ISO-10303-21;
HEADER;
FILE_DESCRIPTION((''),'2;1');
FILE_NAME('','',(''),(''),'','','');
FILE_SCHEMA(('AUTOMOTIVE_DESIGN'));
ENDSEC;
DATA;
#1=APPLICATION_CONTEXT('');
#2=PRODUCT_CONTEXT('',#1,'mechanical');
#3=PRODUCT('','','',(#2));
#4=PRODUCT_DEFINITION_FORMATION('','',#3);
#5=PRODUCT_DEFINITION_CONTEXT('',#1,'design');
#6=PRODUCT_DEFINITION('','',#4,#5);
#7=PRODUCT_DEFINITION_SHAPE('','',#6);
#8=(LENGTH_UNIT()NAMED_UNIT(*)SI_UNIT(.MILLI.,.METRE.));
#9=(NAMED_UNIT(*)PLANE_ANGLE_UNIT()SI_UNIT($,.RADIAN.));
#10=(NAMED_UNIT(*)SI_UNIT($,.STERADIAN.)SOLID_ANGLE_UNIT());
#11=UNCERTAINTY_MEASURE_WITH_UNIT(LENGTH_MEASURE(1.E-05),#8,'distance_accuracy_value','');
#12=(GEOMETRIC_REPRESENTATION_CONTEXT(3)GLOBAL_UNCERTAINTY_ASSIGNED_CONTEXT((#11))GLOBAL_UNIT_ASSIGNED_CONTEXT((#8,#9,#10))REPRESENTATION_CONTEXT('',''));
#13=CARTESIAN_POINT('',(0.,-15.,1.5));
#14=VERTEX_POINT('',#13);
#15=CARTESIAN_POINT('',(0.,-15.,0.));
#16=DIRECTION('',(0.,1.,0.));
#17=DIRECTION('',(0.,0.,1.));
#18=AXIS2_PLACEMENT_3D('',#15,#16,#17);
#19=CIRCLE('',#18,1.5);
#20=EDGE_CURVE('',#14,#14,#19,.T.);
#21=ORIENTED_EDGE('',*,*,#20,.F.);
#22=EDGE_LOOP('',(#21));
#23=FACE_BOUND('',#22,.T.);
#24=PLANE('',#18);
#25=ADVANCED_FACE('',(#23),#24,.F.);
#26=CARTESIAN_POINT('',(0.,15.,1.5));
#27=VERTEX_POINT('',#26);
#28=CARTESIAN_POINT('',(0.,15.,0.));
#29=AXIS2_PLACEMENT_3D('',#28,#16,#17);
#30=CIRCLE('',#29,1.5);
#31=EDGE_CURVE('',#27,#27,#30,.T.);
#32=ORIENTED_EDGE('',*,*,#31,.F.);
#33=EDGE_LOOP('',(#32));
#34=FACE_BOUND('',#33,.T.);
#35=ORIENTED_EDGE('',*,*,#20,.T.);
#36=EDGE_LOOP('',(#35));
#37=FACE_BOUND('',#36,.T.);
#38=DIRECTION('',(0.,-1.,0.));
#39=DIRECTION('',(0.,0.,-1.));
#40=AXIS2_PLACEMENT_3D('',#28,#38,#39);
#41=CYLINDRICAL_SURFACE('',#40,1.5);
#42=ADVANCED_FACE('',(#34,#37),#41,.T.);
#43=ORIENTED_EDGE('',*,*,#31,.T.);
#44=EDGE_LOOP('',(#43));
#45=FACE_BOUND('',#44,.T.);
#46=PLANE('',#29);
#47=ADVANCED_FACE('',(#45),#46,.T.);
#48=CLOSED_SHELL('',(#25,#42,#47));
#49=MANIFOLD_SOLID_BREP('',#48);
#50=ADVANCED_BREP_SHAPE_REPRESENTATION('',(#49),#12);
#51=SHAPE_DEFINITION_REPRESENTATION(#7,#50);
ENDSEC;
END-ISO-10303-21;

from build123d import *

# Parameters (mm, degrees)
SKETCH1_R           = 1.5
BOSS_EXTRUDE1_DEPTH = 15


with BuildPart() as part:
    # Sketch1 → Boss-Extrude1 (new body, symmetric)
    with BuildSketch(Plane(origin=(0, 0, 0), x_dir=(1, 0, 0), z_dir=(0, 1, 0))):
        Circle(SKETCH1_R)
    extrude(amount=BOSS_EXTRUDE1_DEPTH, both=True)


solid = part.part
